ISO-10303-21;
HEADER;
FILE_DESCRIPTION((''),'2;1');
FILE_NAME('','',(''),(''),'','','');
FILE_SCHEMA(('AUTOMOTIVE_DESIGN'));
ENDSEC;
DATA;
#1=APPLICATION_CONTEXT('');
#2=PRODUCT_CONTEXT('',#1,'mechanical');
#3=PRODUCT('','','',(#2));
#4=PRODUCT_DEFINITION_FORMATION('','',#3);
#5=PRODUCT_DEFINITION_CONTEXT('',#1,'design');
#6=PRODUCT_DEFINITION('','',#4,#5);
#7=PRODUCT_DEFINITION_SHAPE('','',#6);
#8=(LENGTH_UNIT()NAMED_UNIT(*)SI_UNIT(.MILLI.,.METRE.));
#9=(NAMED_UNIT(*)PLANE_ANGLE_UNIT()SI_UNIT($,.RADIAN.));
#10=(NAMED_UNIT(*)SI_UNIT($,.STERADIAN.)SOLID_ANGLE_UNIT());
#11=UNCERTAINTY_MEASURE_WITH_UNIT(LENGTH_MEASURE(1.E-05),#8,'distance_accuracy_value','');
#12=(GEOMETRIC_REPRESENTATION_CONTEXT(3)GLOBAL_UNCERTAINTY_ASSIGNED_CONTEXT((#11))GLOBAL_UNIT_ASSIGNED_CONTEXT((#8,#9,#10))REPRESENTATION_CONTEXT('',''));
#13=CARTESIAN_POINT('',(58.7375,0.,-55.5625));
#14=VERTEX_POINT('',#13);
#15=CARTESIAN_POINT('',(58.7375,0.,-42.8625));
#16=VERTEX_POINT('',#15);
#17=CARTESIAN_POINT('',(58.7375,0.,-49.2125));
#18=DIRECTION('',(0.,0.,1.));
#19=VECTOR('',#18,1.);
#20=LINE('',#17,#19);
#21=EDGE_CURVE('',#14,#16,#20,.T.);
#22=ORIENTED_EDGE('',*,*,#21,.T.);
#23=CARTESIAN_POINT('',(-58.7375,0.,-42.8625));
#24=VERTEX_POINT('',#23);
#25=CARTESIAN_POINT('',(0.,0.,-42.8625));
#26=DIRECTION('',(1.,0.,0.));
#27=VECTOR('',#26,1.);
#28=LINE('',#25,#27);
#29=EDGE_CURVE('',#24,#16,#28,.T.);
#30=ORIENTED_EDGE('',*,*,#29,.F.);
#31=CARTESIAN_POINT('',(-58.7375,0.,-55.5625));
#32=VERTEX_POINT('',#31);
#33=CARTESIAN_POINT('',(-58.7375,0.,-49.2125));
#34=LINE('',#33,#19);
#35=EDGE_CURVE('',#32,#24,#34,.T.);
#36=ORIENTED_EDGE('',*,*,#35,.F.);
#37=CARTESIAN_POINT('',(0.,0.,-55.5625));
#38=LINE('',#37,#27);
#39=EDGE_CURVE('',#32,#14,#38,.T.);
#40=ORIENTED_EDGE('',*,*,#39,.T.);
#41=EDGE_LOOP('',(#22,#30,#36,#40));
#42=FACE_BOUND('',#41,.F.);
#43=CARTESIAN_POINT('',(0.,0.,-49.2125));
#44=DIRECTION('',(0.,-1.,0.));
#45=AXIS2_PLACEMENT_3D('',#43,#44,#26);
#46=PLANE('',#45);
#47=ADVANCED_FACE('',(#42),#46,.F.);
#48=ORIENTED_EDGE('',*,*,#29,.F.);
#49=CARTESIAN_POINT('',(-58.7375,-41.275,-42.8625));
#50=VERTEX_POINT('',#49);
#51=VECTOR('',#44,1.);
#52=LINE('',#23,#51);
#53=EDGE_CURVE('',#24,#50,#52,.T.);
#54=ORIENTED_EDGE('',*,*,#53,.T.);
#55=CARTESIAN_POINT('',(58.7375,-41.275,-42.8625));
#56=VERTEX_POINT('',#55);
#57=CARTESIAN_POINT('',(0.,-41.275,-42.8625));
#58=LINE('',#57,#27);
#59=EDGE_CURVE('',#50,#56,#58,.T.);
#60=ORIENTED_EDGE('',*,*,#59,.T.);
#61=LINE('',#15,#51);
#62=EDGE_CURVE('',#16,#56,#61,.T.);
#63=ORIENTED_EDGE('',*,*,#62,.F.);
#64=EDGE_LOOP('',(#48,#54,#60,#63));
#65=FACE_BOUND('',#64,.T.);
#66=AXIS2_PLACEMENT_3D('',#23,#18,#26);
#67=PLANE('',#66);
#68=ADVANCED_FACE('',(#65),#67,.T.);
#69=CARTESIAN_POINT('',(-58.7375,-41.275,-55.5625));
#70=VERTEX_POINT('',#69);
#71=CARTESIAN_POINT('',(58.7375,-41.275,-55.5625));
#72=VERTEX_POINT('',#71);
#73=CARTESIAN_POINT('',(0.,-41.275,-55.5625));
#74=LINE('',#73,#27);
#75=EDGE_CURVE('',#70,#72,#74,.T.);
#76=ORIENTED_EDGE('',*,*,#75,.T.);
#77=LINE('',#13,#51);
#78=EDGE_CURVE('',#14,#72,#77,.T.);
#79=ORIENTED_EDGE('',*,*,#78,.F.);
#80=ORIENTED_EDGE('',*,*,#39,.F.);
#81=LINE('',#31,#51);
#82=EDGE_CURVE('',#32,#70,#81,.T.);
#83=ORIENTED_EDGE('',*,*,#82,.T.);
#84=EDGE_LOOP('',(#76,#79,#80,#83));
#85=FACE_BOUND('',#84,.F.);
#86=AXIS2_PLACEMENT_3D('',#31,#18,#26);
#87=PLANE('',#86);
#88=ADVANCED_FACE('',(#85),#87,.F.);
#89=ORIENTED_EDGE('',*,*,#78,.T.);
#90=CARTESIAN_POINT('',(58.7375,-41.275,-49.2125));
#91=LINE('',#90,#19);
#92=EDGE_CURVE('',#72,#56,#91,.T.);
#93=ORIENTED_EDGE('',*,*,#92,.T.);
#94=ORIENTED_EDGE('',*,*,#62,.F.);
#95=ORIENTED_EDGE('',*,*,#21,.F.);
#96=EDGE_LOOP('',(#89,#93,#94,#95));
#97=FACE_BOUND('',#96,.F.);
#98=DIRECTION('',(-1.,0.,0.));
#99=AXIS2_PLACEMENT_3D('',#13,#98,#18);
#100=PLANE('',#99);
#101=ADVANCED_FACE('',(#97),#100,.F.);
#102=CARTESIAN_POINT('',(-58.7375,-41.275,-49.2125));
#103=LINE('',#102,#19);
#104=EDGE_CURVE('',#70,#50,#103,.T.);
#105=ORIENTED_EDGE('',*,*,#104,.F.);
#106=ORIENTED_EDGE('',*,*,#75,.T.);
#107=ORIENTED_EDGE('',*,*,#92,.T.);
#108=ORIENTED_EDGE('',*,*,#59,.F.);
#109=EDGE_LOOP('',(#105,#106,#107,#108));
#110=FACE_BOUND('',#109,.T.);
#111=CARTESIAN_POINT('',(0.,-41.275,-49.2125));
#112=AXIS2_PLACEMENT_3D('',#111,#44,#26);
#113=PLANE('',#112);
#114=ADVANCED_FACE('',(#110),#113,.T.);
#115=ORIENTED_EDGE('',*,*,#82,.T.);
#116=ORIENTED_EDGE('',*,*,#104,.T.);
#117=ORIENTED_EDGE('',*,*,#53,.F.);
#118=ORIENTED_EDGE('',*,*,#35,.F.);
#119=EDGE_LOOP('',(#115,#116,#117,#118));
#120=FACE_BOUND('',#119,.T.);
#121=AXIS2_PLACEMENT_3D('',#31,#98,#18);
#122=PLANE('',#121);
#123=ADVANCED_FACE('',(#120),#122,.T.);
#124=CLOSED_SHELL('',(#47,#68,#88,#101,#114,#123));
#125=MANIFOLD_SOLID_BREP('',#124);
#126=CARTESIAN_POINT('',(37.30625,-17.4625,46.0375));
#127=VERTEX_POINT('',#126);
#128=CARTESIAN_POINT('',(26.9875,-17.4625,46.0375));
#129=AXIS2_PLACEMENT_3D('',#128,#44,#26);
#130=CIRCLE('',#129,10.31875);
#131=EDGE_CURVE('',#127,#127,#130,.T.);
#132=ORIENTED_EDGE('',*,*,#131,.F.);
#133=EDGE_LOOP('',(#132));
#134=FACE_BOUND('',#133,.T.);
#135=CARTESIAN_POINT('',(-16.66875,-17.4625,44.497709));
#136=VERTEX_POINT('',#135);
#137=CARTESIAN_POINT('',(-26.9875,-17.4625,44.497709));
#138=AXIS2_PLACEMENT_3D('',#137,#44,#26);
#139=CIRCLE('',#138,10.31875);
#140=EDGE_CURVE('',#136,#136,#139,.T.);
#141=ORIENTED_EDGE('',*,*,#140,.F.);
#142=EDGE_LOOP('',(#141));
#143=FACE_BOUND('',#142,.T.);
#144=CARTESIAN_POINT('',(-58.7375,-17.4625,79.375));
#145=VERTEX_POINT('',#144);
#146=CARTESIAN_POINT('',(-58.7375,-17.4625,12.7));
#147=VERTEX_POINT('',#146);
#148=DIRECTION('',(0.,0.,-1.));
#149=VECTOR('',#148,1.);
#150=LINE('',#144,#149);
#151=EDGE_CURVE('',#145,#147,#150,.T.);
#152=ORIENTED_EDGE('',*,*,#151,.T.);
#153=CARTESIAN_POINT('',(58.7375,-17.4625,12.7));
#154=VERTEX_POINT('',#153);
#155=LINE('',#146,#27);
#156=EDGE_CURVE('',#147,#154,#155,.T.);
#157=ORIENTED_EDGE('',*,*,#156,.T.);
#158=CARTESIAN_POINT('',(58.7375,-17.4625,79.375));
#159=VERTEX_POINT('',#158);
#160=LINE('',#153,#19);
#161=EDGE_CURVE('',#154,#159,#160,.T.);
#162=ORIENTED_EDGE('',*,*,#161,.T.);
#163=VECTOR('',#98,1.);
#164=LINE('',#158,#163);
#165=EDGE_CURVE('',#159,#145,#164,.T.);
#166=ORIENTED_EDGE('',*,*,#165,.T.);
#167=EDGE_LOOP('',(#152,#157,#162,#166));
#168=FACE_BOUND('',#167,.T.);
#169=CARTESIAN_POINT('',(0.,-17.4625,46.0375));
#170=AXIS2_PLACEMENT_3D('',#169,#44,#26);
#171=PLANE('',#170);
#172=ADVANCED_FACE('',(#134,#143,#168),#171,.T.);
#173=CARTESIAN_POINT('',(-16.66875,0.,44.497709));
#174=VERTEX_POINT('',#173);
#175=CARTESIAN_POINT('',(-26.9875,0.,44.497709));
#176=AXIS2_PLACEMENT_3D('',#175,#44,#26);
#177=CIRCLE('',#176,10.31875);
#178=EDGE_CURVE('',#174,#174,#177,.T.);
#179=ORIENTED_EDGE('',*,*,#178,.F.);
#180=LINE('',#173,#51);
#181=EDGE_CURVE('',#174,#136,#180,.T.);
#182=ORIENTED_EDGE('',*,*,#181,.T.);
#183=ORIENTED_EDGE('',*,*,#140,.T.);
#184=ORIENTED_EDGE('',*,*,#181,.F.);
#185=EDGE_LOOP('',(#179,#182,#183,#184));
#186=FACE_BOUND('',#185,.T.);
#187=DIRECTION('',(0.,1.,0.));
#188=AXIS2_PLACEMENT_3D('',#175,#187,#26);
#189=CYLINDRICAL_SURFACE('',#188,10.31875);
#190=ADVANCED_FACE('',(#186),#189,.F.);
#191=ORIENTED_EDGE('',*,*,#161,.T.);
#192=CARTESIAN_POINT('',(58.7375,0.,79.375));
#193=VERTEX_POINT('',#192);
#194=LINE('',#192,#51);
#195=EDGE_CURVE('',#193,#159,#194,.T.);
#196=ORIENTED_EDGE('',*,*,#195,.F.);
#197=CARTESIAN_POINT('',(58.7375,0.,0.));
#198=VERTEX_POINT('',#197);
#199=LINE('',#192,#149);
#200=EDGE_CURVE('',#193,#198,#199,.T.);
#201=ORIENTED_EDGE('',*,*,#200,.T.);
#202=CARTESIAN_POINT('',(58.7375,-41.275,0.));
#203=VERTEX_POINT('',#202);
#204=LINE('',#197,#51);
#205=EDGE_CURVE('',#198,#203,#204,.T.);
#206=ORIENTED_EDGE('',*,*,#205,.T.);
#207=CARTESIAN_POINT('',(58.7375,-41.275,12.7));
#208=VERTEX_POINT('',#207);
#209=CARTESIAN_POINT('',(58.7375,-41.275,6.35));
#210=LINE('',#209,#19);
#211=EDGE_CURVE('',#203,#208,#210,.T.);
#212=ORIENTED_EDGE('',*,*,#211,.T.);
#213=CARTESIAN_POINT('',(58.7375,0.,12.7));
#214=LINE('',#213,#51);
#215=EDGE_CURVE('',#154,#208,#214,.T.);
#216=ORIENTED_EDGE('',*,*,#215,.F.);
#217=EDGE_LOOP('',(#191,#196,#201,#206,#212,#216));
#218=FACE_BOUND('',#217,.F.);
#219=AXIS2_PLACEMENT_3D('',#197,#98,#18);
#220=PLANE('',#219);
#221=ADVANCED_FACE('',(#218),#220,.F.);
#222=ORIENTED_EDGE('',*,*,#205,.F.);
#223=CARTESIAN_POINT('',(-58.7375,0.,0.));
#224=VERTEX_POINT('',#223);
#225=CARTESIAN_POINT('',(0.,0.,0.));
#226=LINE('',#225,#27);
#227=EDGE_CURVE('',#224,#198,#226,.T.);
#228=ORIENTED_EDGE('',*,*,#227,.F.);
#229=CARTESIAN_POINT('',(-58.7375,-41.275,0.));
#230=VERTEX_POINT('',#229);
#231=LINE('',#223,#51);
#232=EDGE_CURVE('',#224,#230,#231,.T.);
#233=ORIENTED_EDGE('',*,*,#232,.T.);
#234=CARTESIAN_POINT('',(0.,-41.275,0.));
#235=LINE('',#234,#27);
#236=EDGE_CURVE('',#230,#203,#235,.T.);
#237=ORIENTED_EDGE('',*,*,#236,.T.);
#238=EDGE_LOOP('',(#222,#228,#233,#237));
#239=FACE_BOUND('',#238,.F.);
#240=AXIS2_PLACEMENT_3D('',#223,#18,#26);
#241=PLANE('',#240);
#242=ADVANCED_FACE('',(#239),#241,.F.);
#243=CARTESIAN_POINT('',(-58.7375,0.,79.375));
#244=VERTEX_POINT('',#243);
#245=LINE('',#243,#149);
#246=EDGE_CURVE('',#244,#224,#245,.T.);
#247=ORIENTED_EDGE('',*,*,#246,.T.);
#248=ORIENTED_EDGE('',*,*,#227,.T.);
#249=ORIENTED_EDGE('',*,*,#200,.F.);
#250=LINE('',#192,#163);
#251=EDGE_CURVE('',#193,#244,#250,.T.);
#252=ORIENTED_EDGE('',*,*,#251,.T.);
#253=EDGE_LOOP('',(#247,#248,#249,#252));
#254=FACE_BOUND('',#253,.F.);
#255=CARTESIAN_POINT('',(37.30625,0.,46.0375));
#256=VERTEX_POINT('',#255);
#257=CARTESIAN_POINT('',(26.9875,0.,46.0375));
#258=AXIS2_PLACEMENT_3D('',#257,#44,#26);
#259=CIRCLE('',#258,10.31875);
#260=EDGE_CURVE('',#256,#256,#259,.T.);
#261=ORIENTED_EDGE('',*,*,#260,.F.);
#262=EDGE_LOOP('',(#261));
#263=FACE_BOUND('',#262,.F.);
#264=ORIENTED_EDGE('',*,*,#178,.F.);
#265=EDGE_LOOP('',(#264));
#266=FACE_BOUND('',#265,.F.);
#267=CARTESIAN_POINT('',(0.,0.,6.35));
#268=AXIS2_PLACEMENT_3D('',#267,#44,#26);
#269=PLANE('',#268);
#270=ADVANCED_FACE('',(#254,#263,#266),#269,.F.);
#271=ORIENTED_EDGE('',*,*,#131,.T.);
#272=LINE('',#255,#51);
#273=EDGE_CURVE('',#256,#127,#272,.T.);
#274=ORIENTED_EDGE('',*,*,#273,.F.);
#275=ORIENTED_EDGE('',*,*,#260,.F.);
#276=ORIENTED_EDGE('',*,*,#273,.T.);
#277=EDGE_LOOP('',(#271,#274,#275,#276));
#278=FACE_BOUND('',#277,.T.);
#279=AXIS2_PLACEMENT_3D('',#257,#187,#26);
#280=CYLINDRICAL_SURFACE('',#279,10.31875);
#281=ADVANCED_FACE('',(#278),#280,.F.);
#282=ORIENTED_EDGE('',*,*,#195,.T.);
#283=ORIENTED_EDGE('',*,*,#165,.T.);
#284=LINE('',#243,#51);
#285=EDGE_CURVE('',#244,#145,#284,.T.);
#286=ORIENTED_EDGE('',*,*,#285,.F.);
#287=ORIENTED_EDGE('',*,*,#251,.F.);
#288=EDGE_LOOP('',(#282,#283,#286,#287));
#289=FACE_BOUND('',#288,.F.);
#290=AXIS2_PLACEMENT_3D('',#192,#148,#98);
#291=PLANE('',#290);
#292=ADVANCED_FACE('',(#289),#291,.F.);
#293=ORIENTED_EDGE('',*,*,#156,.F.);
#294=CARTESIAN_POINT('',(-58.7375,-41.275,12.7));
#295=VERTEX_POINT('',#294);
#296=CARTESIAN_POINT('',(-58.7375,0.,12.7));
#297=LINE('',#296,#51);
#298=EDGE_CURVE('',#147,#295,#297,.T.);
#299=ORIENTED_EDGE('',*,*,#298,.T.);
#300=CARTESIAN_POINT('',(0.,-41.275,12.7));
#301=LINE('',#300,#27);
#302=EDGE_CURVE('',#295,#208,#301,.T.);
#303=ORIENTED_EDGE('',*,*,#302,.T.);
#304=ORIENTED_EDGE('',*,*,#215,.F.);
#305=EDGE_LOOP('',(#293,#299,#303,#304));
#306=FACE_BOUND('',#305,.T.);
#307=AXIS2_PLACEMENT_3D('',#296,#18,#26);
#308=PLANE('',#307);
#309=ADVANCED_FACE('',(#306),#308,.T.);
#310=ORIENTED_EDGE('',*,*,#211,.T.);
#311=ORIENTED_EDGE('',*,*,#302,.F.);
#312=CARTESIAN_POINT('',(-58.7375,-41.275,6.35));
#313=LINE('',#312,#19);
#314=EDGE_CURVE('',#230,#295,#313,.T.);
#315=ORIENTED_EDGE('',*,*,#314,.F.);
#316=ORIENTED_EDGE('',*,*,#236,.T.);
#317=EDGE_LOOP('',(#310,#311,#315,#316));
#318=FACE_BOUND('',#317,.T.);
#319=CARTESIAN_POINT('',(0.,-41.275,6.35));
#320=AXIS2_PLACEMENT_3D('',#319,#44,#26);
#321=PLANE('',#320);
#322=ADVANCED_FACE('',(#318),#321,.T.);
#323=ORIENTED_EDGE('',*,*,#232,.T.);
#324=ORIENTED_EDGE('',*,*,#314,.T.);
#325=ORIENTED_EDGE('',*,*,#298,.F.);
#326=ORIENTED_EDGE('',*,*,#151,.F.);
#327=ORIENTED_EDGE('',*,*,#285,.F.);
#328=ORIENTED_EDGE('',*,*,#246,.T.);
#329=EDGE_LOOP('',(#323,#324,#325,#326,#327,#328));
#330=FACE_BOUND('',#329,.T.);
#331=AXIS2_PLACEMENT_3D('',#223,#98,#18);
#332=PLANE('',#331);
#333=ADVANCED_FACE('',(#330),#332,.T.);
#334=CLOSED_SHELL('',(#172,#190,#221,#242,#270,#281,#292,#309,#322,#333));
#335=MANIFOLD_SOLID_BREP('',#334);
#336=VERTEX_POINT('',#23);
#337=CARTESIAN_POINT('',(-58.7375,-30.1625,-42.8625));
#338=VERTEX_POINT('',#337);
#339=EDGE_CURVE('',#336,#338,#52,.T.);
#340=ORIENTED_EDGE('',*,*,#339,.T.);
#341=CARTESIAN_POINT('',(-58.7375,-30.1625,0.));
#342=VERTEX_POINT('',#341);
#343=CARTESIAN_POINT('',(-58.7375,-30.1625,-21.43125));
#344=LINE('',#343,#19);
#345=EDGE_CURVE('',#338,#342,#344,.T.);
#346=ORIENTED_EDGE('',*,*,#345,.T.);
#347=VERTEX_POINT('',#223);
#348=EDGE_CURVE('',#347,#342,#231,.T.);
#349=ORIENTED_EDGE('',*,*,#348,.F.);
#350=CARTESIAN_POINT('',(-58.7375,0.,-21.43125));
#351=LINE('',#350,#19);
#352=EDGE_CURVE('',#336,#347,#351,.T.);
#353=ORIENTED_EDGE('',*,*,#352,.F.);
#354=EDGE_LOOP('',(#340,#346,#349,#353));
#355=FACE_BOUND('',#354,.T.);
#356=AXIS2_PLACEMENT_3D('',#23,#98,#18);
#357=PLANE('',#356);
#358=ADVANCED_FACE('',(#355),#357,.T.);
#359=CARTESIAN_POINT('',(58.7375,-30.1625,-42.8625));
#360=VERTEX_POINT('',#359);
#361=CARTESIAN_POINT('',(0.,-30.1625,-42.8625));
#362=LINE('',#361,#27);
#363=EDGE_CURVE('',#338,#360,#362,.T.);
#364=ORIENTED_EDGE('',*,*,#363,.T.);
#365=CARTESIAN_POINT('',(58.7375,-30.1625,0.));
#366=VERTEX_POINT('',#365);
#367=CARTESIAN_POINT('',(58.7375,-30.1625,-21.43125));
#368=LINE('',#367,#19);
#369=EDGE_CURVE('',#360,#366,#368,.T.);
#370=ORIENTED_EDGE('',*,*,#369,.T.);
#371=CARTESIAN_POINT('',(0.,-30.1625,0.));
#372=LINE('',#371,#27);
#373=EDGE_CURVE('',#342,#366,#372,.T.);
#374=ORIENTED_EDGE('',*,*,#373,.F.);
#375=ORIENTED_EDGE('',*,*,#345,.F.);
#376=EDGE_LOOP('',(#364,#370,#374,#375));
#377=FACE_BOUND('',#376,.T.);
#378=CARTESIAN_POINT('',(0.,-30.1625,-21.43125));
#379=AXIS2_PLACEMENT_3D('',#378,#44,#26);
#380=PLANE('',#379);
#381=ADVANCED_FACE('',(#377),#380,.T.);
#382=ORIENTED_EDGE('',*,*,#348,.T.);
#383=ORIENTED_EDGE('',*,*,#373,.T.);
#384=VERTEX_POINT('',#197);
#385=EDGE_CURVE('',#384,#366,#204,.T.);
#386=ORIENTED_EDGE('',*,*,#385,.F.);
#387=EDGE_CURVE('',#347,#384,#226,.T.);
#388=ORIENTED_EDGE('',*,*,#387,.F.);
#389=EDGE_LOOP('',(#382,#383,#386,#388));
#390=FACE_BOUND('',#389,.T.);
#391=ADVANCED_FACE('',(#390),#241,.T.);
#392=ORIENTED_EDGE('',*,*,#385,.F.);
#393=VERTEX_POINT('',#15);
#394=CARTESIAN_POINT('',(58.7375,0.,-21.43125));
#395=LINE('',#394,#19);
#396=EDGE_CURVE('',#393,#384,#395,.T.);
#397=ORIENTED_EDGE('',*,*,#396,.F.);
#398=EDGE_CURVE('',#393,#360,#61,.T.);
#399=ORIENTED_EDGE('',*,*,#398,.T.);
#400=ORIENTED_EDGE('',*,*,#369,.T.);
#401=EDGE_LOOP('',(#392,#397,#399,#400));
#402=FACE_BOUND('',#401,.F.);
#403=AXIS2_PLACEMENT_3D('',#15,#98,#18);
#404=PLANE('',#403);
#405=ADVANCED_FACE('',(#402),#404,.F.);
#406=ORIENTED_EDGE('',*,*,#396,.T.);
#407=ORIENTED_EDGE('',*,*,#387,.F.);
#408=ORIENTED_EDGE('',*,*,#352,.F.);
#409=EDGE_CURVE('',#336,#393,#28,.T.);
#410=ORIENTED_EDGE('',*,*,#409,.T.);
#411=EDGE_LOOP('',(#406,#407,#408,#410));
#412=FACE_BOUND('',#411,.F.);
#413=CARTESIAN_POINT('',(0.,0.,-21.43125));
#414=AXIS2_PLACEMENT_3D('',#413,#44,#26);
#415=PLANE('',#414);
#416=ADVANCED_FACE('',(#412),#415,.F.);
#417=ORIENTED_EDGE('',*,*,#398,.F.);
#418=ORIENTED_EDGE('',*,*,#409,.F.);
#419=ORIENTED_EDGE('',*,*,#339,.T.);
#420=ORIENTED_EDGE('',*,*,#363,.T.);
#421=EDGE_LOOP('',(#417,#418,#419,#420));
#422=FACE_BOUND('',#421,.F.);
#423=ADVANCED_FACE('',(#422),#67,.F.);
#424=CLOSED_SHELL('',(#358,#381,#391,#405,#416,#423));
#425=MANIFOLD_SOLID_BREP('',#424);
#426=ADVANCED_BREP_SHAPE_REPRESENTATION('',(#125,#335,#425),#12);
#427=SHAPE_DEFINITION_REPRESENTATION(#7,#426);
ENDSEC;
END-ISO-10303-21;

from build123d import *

# Parameters (mm, degrees)
F0_R     = 10.31875
F1_DEPTH = 17.4625
F0_W     = 117.475
F0_H     = 12.7
F2_DEPTH = 41.275
F0_H_2   = 42.8625
F3_DEPTH = 30.1625


with BuildPart() as f1:
    # F0 (on Front) → F1 (new body)
    with BuildSketch(Plane.XZ):
        Polygon((58.7375, 12.7), (58.7375, 79.375), (-4.7625, 79.375), (-58.7375, 79.375), (-58.7375, 12.7), align=None)
        with Locations((-26.9875, 44.497709)):
            Circle(F0_R, mode=Mode.SUBTRACT)
        with Locations((26.9875, 46.0375)):
            Circle(F0_R, mode=Mode.SUBTRACT)
    extrude(amount=F1_DEPTH)

    # F0 (on Front) → F2 (join)
    with BuildSketch(Plane.XZ):
        with Locations((0, 6.35)):
            Rectangle(F0_W, F0_H)
        with Locations((0, -49.2125)):
            Rectangle(F0_W, F0_H)
    extrude(amount=F2_DEPTH)


with BuildPart() as f3:
    # F0 (on Front) → F3 (new body)
    with BuildSketch(Plane.XZ):
        with Locations((0, -21.43125)):
            Rectangle(F0_W, F0_H_2)
    extrude(amount=F3_DEPTH)


solid = Compound([f1.part, f3.part])
